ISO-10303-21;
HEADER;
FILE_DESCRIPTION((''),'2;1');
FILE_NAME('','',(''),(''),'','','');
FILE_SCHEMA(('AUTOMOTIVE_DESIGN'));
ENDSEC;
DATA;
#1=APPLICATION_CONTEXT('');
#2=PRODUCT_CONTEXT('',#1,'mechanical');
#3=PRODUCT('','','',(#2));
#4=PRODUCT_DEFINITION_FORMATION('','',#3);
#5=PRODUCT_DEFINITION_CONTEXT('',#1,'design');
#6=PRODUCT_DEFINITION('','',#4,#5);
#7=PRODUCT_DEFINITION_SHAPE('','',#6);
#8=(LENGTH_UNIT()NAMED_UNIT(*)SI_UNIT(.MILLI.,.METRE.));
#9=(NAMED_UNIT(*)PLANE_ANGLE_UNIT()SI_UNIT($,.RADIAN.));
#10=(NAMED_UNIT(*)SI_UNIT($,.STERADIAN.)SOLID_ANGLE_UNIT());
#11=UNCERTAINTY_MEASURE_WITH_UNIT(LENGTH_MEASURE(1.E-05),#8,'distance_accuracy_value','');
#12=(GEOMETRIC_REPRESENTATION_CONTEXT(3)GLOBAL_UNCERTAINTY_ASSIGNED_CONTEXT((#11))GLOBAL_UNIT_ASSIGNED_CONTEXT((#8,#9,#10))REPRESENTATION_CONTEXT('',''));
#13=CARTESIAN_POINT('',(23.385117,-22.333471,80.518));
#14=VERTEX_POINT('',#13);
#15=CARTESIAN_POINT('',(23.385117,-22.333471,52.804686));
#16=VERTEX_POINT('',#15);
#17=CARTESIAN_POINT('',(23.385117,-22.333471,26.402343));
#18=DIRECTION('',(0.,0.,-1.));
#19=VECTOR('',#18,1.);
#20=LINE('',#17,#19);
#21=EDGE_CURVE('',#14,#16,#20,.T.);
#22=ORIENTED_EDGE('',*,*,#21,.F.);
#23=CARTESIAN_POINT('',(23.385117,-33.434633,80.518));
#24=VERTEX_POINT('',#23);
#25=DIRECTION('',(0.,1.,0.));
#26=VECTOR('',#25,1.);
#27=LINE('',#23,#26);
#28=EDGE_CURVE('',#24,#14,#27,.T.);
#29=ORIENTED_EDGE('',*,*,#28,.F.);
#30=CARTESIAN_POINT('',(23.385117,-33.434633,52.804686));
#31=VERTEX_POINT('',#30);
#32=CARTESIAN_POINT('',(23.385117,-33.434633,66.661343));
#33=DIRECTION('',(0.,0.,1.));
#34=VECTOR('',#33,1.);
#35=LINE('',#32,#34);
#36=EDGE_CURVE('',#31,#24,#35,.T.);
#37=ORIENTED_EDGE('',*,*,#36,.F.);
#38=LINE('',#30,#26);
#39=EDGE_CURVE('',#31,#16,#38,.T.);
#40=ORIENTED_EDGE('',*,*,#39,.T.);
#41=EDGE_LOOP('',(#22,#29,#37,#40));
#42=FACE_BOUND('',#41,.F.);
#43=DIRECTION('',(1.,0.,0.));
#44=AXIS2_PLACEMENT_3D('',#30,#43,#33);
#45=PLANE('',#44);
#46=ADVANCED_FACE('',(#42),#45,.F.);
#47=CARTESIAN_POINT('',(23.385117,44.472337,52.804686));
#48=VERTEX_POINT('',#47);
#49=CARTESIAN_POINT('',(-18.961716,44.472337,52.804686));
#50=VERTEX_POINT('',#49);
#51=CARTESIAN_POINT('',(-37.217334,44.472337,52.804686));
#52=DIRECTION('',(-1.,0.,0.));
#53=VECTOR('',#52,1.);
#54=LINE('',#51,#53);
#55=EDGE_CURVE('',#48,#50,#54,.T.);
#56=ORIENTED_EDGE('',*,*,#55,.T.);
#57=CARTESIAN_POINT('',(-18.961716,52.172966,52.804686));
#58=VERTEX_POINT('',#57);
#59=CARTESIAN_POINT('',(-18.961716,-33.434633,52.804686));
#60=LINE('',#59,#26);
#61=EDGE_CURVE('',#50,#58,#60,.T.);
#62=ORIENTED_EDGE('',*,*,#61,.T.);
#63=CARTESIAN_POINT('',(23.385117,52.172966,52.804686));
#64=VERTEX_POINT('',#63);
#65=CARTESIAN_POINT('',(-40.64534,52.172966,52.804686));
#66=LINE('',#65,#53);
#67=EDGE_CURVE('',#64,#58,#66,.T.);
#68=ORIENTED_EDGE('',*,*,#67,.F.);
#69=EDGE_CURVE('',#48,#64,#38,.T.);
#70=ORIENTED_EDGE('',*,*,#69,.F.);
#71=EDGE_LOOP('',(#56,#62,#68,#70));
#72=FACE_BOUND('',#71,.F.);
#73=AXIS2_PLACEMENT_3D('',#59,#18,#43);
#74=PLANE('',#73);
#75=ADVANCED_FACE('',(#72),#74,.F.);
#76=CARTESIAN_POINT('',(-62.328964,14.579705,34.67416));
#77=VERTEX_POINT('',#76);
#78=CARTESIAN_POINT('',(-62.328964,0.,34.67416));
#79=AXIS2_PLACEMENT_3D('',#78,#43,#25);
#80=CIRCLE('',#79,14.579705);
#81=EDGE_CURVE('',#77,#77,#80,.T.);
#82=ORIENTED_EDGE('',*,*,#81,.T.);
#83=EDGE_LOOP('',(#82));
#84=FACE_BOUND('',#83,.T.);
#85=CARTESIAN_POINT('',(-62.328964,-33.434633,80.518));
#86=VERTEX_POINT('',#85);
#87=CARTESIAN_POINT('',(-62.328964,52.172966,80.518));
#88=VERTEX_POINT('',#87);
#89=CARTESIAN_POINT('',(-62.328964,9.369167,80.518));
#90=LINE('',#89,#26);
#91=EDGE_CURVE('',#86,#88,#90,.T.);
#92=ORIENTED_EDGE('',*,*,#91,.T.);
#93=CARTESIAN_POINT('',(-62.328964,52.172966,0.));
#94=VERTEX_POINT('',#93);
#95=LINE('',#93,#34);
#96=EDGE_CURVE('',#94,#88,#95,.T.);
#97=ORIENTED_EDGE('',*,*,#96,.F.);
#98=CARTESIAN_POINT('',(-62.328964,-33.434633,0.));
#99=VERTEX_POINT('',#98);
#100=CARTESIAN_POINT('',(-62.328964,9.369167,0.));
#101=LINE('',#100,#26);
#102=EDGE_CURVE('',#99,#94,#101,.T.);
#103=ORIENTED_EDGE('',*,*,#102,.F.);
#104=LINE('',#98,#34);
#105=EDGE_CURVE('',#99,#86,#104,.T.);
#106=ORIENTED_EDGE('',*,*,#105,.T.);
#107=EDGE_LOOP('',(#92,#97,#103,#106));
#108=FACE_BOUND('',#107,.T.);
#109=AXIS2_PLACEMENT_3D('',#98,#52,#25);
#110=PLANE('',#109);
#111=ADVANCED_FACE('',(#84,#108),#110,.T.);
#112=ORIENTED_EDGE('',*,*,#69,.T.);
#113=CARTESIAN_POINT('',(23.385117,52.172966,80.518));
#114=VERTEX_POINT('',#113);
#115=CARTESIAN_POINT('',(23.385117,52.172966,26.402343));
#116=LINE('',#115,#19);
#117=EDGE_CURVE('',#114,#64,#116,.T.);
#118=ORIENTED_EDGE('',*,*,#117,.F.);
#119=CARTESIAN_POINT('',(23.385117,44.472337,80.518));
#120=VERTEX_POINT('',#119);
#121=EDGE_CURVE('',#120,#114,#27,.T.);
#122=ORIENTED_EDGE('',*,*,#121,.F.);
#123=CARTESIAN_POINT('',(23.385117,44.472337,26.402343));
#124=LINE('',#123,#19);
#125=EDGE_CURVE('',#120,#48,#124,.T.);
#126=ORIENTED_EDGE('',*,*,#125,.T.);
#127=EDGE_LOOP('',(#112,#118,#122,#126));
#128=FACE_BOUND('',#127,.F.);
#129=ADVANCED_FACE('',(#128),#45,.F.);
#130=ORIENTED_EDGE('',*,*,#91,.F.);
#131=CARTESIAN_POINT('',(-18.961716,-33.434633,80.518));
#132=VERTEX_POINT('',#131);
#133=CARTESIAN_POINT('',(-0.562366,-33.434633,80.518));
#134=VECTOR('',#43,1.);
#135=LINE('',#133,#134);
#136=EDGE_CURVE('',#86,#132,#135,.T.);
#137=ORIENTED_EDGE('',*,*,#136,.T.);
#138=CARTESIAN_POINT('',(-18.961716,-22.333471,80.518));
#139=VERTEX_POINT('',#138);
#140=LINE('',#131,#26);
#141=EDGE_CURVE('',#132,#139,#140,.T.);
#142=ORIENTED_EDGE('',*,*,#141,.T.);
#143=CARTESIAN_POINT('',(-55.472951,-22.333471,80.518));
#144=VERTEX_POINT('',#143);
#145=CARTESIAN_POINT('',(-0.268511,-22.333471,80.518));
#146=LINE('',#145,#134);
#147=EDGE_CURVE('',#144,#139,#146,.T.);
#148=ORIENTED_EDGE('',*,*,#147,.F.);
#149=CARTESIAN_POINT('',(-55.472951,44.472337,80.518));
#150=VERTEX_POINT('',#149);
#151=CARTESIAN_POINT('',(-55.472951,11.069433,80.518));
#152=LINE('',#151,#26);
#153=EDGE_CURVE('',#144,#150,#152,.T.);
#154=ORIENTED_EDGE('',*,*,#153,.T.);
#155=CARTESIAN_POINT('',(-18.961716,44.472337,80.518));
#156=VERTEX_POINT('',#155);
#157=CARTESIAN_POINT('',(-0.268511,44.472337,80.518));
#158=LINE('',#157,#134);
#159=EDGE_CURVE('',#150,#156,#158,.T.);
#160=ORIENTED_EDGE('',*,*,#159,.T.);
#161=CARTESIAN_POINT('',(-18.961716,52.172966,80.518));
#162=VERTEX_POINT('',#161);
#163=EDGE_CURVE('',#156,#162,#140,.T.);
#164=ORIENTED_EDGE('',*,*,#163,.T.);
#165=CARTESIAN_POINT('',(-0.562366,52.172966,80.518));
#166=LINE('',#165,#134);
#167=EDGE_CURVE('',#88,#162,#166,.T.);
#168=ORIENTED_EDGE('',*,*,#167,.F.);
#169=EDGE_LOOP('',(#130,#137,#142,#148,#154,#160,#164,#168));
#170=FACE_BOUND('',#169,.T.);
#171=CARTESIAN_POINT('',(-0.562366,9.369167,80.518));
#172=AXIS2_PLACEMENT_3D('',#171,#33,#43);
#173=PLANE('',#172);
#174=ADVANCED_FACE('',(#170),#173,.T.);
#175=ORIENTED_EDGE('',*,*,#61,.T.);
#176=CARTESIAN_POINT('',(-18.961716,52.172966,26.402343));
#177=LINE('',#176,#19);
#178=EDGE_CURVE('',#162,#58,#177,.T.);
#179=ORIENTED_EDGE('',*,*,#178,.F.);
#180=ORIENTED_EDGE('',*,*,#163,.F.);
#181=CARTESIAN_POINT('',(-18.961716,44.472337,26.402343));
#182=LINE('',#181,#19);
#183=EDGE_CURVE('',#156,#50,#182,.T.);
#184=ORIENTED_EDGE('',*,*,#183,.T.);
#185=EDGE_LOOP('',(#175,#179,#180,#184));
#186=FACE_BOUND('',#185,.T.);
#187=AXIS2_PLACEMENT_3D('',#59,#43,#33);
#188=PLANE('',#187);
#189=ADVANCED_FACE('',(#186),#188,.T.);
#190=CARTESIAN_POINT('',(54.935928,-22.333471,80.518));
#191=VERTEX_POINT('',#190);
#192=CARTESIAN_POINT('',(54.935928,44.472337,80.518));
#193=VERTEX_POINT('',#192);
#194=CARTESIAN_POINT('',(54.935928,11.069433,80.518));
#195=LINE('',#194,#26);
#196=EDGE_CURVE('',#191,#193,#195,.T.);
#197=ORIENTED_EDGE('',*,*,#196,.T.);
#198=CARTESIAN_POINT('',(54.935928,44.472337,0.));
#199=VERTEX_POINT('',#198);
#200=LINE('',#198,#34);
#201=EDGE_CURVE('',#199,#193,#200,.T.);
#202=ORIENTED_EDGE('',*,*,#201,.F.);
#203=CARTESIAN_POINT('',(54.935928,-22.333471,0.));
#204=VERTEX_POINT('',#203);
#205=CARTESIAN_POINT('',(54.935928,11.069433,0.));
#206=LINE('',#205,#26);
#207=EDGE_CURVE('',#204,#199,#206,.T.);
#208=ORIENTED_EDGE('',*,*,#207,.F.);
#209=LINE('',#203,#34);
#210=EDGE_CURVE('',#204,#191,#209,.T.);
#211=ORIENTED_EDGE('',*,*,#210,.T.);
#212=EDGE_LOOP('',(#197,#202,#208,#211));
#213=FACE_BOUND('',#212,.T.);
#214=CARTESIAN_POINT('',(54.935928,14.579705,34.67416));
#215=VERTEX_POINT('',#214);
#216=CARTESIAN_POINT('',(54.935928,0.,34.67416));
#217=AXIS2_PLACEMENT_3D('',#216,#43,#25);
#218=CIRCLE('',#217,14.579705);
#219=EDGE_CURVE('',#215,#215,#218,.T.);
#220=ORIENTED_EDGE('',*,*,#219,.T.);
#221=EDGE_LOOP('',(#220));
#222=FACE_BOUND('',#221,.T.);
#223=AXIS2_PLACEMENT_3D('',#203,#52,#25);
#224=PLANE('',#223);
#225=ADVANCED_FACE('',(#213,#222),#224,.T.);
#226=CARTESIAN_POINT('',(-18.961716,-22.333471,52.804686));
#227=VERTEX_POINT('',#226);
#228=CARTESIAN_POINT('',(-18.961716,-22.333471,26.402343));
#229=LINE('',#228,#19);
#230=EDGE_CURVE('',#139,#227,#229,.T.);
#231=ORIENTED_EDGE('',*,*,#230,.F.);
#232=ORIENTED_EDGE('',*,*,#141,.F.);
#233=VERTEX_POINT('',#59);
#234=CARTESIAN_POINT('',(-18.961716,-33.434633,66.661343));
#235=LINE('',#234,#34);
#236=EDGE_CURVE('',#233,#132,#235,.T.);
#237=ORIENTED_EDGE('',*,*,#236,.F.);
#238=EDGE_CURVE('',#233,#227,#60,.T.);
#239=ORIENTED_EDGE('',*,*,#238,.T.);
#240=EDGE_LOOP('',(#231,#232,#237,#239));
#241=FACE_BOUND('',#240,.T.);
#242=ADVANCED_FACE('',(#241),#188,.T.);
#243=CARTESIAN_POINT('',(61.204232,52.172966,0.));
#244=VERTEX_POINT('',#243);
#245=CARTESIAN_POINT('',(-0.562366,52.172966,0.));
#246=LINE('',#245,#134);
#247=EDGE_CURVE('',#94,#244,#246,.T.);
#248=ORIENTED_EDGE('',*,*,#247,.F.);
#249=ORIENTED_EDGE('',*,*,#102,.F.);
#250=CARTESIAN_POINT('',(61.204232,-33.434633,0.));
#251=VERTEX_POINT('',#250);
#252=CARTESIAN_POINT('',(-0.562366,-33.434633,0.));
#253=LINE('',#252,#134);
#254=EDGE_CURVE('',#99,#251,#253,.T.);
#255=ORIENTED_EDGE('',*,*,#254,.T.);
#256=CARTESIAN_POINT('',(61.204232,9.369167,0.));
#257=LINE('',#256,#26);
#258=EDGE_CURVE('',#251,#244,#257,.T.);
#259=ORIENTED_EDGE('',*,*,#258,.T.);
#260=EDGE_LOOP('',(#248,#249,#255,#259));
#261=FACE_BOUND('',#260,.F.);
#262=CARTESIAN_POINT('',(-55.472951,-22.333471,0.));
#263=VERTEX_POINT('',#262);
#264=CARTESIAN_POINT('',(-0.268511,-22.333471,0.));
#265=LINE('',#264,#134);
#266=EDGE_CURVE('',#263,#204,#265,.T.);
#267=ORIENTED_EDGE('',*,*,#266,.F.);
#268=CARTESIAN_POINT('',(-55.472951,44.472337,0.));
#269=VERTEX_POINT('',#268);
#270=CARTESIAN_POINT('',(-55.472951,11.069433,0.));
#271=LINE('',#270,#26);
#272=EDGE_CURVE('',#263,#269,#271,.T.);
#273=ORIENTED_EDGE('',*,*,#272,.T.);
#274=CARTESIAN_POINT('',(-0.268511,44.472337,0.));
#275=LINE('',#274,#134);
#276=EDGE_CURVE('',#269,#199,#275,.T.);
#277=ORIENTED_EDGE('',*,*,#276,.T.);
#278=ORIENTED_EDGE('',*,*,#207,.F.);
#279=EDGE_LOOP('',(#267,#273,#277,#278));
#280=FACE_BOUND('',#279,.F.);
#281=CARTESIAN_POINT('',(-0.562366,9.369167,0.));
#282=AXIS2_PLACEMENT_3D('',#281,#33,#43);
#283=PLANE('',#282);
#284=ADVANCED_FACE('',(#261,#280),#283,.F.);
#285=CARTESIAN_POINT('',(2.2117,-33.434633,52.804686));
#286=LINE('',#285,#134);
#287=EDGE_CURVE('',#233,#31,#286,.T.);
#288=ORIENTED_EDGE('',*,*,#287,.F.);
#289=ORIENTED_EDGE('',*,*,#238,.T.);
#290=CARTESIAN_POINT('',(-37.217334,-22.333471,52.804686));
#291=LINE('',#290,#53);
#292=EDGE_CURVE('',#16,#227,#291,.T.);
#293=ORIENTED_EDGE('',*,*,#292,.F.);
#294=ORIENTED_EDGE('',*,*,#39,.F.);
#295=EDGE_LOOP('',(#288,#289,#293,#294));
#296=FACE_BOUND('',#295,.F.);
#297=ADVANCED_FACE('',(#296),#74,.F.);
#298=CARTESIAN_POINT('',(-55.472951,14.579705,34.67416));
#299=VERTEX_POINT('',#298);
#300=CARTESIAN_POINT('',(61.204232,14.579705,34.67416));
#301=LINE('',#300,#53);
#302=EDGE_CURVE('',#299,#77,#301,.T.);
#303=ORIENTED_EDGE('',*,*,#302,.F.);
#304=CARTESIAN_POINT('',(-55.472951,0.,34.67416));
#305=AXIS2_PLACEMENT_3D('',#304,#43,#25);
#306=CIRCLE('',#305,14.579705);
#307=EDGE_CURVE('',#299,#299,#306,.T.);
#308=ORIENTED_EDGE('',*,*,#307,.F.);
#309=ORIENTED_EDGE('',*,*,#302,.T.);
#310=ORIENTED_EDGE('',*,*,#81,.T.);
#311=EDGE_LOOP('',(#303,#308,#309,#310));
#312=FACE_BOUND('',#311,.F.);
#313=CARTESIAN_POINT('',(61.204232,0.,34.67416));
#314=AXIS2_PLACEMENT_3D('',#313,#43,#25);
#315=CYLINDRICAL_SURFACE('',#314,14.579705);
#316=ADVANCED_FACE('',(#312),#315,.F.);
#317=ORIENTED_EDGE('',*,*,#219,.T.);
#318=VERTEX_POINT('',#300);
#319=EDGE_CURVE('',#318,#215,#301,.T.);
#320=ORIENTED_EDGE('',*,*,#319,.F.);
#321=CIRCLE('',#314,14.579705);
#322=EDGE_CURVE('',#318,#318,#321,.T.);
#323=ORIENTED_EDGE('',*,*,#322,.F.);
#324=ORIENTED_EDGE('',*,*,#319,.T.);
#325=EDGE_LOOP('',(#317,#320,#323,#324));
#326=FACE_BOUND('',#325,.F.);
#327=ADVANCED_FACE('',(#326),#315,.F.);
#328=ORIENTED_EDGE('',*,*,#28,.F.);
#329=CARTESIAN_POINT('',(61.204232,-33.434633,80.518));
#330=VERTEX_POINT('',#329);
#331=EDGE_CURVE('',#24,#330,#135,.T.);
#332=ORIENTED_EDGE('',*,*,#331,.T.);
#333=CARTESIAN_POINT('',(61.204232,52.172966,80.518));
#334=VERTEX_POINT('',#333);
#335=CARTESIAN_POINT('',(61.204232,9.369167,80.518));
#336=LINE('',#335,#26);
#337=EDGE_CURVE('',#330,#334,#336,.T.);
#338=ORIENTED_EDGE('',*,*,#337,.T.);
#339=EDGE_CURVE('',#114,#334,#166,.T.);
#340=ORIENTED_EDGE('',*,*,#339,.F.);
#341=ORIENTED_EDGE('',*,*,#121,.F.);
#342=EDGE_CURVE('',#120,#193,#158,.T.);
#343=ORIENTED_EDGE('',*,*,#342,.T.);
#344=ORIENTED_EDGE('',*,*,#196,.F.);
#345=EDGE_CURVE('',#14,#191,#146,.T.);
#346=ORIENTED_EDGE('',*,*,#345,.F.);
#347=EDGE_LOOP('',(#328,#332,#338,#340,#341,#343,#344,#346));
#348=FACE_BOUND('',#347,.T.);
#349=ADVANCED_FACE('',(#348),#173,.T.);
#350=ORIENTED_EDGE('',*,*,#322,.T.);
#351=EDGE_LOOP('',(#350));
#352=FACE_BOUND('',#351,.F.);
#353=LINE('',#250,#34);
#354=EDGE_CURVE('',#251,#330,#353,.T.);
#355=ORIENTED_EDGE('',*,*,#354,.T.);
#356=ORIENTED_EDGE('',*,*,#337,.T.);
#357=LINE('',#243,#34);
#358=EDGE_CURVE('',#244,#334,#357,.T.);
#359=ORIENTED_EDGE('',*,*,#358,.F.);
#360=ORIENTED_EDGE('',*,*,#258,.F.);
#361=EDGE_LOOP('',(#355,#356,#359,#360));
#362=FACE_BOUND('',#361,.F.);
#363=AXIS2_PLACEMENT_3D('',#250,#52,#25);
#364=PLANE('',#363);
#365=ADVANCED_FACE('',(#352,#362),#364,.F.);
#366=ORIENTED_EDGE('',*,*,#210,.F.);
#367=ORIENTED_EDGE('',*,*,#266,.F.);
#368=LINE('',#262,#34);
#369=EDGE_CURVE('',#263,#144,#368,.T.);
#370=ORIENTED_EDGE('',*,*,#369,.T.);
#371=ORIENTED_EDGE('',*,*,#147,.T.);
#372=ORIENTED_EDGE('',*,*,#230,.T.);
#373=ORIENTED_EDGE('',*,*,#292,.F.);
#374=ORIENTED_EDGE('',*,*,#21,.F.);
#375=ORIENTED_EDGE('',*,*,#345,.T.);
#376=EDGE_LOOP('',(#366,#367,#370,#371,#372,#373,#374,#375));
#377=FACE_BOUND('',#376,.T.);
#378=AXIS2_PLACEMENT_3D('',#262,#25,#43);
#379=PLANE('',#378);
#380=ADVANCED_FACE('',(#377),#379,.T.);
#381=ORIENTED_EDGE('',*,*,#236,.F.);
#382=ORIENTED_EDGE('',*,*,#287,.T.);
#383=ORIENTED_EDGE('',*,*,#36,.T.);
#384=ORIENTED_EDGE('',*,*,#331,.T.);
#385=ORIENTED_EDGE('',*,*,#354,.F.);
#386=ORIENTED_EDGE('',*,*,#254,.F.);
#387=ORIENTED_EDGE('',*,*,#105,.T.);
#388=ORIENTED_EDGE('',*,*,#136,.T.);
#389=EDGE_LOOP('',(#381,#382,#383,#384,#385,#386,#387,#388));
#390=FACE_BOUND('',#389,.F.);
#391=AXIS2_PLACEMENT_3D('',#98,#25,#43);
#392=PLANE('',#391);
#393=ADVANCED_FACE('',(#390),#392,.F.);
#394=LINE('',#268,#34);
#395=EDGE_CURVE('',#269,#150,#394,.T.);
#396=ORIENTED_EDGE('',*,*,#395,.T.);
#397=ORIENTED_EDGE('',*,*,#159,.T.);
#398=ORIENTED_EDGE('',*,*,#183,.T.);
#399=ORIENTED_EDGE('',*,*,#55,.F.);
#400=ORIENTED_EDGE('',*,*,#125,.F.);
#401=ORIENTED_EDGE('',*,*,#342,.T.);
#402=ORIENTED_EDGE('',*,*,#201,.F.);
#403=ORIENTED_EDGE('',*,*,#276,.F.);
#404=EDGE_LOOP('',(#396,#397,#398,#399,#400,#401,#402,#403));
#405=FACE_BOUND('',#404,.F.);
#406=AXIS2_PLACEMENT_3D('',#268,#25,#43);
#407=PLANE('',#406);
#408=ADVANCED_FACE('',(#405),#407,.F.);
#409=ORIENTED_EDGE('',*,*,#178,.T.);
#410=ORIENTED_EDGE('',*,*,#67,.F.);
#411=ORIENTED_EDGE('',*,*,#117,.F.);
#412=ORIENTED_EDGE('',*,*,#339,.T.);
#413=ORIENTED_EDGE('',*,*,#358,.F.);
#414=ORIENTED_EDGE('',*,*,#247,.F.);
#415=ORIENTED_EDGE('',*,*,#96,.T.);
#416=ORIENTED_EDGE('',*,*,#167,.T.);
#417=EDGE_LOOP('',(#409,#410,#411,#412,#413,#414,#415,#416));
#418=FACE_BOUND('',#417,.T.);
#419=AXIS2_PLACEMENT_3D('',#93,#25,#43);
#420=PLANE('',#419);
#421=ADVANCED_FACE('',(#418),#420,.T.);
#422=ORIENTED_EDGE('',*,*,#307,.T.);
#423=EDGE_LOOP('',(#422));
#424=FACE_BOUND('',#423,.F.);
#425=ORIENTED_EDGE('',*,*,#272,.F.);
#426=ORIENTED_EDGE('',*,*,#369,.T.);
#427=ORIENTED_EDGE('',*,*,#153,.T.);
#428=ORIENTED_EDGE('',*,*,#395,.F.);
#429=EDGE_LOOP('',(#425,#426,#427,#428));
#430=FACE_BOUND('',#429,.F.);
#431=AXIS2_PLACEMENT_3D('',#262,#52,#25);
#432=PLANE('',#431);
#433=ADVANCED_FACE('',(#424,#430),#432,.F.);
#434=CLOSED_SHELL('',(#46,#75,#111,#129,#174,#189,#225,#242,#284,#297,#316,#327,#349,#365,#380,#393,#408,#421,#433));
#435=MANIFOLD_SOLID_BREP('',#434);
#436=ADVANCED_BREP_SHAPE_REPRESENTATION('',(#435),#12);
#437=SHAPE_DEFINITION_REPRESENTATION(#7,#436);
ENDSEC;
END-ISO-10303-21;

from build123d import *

# Parameters (mm, degrees)
F0_W     = 123.5331967473
F0_H     = 85.607599467
F0_W_2   = 110.4088798165
F0_H_2   = 66.8058078736
F1_DEPTH = 80.518
F2_W     = 42.3468332738
F2_H     = 27.7133138709
F3_DEPTH = 85.608599467
F4_R     = 14.5797051929
F5_DEPTH = 123.5341967473


with BuildPart() as f1:
    # F0 (on Top) → F1 (new body)
    with BuildSketch(Plane.XY):
        with Locations((-0.5623660982, 9.3691665679)):
            Rectangle(F0_W, F0_H)
        with Locations((-0.2685114741, 11.0694328323)):
            Rectangle(F0_W_2, F0_H_2, mode=Mode.SUBTRACT)
    extrude(amount=F1_DEPTH)

    # F2 (on face) → F3 (cut, through all)
    with BuildSketch(Plane.XZ.offset(33.4346331656)):
        with Locations((2.2117001936, 66.6613430645)):
            Rectangle(F2_W, F2_H)
    extrude(amount=-F3_DEPTH, mode=Mode.SUBTRACT)

    # F4 (on face) → F5 (cut, through all)
    with BuildSketch(Plane.YZ.offset(61.2042322755)):
        with Locations((0, 34.6741601825)):
            Circle(F4_R)
    extrude(amount=-F5_DEPTH, mode=Mode.SUBTRACT)


solid = f1.part
